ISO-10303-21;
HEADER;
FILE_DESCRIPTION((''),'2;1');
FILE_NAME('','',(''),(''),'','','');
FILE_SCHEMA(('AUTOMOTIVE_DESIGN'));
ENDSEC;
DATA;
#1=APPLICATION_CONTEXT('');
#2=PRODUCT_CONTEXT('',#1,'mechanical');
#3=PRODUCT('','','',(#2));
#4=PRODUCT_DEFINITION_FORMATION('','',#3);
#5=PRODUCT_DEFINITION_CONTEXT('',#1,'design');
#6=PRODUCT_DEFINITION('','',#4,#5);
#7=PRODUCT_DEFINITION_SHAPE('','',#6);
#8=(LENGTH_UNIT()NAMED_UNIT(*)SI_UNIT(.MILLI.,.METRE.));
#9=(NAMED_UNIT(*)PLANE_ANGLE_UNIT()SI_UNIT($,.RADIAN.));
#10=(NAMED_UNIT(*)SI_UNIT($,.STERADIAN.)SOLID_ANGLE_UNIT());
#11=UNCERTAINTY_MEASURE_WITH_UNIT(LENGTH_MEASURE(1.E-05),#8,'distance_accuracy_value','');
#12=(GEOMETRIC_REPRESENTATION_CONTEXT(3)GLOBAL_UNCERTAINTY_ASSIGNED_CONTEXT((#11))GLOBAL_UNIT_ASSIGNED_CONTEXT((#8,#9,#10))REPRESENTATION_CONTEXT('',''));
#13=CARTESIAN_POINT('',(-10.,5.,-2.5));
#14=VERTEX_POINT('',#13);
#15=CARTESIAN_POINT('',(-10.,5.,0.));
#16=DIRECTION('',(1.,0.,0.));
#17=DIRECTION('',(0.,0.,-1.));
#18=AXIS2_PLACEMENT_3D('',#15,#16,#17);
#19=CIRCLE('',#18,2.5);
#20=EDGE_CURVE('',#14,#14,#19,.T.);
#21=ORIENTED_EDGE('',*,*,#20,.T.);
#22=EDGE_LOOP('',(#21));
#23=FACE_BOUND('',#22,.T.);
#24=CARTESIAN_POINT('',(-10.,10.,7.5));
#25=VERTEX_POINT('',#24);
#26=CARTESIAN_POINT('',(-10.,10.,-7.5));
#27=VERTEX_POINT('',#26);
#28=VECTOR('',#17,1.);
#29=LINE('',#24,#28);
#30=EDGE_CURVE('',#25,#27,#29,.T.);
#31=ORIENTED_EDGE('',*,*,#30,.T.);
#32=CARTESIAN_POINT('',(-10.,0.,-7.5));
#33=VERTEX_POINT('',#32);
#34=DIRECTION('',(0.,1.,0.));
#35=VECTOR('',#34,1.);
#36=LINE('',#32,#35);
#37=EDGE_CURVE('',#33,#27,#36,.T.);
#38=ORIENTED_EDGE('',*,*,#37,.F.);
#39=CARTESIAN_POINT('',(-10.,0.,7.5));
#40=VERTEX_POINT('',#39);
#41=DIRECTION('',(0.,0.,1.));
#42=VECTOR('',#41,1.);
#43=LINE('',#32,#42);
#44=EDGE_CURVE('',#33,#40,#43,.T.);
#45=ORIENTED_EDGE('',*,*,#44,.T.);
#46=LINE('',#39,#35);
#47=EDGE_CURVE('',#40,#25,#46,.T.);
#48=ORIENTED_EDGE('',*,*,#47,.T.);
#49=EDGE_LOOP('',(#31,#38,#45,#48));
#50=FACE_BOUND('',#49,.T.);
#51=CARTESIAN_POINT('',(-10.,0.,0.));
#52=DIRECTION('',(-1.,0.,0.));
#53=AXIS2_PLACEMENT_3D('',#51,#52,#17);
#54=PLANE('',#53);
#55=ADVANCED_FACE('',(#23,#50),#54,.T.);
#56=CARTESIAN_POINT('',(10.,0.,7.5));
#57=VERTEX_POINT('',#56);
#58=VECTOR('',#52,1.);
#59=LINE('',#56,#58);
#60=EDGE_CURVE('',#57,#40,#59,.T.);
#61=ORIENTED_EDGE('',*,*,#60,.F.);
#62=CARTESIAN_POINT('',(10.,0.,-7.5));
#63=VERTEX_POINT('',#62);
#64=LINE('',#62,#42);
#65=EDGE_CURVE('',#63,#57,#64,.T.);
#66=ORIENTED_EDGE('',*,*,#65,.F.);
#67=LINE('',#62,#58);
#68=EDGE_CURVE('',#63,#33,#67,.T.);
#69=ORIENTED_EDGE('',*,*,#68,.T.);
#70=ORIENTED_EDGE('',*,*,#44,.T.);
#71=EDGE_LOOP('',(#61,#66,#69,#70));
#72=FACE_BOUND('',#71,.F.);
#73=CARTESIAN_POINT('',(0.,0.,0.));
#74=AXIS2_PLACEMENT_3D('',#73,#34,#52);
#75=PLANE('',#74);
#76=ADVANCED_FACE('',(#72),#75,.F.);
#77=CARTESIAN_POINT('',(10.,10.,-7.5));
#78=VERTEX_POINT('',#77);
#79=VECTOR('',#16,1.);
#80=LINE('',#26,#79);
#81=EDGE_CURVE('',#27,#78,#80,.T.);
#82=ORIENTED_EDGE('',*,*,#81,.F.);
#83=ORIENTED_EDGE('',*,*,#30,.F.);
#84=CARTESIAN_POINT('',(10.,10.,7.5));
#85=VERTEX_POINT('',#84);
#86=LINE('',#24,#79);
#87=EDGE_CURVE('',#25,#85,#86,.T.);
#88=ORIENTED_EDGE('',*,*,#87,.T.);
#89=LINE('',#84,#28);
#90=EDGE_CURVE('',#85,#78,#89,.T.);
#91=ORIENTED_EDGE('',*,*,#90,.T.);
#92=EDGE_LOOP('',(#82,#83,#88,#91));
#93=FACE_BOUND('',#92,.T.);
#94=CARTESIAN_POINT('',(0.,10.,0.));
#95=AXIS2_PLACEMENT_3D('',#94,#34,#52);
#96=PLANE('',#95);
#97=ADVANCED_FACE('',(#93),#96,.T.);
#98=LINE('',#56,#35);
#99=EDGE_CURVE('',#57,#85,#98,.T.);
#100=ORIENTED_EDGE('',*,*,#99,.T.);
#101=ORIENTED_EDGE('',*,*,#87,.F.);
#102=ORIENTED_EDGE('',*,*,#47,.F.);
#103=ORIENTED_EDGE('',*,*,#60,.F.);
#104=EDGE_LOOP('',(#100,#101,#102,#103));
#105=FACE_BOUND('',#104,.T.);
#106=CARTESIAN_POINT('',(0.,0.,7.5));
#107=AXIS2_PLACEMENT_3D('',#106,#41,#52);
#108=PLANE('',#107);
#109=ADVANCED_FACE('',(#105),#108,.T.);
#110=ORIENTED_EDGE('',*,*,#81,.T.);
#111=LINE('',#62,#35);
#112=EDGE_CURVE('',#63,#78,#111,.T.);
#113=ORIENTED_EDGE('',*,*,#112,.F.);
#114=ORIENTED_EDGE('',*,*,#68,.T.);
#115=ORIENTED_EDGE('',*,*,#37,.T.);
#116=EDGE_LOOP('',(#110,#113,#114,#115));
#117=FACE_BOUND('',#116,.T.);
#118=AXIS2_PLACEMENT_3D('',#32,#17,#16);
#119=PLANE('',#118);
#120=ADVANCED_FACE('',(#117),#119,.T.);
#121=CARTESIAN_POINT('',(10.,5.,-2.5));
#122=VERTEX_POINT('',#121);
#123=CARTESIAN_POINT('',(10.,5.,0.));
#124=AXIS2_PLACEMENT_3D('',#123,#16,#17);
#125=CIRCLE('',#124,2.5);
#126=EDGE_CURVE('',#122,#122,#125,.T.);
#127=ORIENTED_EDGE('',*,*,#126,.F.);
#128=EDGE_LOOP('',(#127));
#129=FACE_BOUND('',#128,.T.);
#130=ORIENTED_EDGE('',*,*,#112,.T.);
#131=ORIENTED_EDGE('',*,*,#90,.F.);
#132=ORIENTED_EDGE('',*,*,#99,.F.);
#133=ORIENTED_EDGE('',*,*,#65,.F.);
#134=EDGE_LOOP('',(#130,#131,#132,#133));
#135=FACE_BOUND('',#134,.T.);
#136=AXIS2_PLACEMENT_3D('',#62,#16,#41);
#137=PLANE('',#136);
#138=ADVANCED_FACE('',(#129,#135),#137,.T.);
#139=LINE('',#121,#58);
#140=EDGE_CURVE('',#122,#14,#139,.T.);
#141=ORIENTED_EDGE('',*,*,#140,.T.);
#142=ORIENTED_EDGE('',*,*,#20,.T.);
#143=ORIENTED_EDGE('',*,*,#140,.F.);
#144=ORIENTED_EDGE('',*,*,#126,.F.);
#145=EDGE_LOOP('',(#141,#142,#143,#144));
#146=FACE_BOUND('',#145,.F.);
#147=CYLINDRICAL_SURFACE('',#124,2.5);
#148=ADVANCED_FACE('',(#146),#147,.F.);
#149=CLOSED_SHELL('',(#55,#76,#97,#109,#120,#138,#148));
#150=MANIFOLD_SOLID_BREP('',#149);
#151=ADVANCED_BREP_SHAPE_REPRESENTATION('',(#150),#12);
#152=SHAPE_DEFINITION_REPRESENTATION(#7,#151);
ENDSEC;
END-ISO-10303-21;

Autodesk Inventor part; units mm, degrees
ref_plane "YZ Plane" through (0, 0, 0) normal (1, 0, 0) x (0, 1, 0)
ref_plane "XZ Plane" through (0, 0, 0) normal (0, 1, 0) x (-1, 0, 0)
ref_plane "XY Plane" through (0, 0, 0) normal (0, 0, 1) x (1, 0, 0)
sketch "Sketch1" plane through (0, 0, 0) normal (0, 1, 0) x (-1, 0, 0)
  line L0 (10, -7.5) -> (-10, -7.5)
  line L1 (-10, -7.5) -> (-10, 7.5)
  line L2 (-10, 7.5) -> (10, 7.5)
  line L3 (10, 7.5) -> (10, -7.5)
  line L4 (14, 0) -> (-14, 0) projected
  line L5 (0, -10.5) -> (0, 10.5) projected
  point P0 (0, 0)
  dimension "d0" = 15
  dimension "d1" = 20
extrude "Extrusion1" add sketch "Sketch1" along normal blind 10
sketch "Sketch2" plane through (10, 0, 7.5) normal (1, 0, 0) x (0, 0, -1)
  line L0 (0, 0) -> (15, 0) projected
  line L1 (15, 0) -> (15, 10) projected
  line L2 (0, 10) -> (15, 10) projected
  line L3 (0, 0) -> (0, 10) projected
  circle A0 centre (7.5, 5) radius 2.5
  line L4 (15, 10) -> (0, 0) construction
  line L5 (0, 10) -> (15, 0) construction
  point P0 (7.5, 0)
  dimension "d4" = 5
extrude "Extrusion2" cut sketch "Sketch2" against normal through all contours A0
properties part number "stop_block"
